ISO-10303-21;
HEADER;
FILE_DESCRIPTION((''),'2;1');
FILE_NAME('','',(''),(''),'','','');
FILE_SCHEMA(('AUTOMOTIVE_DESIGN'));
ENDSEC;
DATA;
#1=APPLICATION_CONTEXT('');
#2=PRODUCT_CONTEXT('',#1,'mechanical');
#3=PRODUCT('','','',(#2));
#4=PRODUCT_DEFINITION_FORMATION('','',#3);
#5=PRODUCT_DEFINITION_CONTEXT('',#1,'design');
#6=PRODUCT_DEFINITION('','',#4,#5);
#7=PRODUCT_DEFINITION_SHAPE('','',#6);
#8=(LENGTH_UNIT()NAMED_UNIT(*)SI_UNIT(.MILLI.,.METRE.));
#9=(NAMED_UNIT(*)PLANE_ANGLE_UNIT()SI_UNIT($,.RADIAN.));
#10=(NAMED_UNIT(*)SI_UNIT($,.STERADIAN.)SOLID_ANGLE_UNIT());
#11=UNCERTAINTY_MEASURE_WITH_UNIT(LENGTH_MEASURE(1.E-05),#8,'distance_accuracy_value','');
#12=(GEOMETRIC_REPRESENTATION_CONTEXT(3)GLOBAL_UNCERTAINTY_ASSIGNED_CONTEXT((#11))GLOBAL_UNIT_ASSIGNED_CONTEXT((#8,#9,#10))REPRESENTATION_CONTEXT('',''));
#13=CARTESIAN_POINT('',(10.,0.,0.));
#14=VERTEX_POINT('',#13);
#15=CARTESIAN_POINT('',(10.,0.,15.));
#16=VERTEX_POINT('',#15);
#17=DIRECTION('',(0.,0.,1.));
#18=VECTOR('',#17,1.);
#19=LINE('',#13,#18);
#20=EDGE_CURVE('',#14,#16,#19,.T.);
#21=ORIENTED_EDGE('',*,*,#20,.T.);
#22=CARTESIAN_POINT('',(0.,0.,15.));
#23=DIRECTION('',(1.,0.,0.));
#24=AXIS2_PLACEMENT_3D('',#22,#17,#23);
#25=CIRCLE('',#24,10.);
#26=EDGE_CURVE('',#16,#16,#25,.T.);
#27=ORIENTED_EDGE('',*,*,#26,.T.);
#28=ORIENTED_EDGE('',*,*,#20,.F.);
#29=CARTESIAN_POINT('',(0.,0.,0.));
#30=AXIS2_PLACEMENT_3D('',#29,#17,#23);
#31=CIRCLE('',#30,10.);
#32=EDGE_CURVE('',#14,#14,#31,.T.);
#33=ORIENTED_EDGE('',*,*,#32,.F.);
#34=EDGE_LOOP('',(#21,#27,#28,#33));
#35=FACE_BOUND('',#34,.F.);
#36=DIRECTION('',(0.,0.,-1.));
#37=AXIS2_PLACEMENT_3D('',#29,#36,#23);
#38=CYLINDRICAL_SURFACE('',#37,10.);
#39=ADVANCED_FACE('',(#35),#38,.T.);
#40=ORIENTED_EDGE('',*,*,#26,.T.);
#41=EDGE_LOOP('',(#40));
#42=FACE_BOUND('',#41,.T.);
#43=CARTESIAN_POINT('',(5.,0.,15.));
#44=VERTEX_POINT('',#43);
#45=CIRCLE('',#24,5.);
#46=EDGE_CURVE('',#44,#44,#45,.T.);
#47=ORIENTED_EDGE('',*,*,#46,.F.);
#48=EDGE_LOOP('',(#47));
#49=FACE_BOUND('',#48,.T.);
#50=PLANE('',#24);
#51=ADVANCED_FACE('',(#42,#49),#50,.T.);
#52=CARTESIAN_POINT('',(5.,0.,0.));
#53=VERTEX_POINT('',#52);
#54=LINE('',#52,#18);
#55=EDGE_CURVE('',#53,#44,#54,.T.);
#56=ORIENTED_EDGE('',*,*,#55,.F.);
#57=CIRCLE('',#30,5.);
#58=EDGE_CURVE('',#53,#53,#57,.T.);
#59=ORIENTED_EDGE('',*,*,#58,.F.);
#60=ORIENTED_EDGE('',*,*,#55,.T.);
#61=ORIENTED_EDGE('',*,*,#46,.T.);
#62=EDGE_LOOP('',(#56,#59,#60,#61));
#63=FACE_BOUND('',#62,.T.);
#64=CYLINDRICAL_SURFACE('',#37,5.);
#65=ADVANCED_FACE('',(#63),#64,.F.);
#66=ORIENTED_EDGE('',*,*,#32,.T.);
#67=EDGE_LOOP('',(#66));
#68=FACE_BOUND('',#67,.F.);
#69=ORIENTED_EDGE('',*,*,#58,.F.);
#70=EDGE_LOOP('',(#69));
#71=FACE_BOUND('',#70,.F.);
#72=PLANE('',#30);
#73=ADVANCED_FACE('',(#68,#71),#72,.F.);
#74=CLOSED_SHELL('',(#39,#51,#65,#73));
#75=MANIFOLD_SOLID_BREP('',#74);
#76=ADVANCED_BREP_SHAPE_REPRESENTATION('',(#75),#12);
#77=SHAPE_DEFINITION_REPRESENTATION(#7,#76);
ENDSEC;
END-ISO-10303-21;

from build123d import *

# Parameters (mm, degrees)
SKETCH1_R           = 10
SKETCH1_R_2         = 5
BOSS_EXTRUDE1_DEPTH = 15


with BuildPart() as part:
    # Sketch1 → Boss-Extrude1 (new body)
    with BuildSketch(Plane.XY):
        Circle(SKETCH1_R)
        Circle(SKETCH1_R_2, mode=Mode.SUBTRACT)
    extrude(amount=BOSS_EXTRUDE1_DEPTH)


solid = part.part
